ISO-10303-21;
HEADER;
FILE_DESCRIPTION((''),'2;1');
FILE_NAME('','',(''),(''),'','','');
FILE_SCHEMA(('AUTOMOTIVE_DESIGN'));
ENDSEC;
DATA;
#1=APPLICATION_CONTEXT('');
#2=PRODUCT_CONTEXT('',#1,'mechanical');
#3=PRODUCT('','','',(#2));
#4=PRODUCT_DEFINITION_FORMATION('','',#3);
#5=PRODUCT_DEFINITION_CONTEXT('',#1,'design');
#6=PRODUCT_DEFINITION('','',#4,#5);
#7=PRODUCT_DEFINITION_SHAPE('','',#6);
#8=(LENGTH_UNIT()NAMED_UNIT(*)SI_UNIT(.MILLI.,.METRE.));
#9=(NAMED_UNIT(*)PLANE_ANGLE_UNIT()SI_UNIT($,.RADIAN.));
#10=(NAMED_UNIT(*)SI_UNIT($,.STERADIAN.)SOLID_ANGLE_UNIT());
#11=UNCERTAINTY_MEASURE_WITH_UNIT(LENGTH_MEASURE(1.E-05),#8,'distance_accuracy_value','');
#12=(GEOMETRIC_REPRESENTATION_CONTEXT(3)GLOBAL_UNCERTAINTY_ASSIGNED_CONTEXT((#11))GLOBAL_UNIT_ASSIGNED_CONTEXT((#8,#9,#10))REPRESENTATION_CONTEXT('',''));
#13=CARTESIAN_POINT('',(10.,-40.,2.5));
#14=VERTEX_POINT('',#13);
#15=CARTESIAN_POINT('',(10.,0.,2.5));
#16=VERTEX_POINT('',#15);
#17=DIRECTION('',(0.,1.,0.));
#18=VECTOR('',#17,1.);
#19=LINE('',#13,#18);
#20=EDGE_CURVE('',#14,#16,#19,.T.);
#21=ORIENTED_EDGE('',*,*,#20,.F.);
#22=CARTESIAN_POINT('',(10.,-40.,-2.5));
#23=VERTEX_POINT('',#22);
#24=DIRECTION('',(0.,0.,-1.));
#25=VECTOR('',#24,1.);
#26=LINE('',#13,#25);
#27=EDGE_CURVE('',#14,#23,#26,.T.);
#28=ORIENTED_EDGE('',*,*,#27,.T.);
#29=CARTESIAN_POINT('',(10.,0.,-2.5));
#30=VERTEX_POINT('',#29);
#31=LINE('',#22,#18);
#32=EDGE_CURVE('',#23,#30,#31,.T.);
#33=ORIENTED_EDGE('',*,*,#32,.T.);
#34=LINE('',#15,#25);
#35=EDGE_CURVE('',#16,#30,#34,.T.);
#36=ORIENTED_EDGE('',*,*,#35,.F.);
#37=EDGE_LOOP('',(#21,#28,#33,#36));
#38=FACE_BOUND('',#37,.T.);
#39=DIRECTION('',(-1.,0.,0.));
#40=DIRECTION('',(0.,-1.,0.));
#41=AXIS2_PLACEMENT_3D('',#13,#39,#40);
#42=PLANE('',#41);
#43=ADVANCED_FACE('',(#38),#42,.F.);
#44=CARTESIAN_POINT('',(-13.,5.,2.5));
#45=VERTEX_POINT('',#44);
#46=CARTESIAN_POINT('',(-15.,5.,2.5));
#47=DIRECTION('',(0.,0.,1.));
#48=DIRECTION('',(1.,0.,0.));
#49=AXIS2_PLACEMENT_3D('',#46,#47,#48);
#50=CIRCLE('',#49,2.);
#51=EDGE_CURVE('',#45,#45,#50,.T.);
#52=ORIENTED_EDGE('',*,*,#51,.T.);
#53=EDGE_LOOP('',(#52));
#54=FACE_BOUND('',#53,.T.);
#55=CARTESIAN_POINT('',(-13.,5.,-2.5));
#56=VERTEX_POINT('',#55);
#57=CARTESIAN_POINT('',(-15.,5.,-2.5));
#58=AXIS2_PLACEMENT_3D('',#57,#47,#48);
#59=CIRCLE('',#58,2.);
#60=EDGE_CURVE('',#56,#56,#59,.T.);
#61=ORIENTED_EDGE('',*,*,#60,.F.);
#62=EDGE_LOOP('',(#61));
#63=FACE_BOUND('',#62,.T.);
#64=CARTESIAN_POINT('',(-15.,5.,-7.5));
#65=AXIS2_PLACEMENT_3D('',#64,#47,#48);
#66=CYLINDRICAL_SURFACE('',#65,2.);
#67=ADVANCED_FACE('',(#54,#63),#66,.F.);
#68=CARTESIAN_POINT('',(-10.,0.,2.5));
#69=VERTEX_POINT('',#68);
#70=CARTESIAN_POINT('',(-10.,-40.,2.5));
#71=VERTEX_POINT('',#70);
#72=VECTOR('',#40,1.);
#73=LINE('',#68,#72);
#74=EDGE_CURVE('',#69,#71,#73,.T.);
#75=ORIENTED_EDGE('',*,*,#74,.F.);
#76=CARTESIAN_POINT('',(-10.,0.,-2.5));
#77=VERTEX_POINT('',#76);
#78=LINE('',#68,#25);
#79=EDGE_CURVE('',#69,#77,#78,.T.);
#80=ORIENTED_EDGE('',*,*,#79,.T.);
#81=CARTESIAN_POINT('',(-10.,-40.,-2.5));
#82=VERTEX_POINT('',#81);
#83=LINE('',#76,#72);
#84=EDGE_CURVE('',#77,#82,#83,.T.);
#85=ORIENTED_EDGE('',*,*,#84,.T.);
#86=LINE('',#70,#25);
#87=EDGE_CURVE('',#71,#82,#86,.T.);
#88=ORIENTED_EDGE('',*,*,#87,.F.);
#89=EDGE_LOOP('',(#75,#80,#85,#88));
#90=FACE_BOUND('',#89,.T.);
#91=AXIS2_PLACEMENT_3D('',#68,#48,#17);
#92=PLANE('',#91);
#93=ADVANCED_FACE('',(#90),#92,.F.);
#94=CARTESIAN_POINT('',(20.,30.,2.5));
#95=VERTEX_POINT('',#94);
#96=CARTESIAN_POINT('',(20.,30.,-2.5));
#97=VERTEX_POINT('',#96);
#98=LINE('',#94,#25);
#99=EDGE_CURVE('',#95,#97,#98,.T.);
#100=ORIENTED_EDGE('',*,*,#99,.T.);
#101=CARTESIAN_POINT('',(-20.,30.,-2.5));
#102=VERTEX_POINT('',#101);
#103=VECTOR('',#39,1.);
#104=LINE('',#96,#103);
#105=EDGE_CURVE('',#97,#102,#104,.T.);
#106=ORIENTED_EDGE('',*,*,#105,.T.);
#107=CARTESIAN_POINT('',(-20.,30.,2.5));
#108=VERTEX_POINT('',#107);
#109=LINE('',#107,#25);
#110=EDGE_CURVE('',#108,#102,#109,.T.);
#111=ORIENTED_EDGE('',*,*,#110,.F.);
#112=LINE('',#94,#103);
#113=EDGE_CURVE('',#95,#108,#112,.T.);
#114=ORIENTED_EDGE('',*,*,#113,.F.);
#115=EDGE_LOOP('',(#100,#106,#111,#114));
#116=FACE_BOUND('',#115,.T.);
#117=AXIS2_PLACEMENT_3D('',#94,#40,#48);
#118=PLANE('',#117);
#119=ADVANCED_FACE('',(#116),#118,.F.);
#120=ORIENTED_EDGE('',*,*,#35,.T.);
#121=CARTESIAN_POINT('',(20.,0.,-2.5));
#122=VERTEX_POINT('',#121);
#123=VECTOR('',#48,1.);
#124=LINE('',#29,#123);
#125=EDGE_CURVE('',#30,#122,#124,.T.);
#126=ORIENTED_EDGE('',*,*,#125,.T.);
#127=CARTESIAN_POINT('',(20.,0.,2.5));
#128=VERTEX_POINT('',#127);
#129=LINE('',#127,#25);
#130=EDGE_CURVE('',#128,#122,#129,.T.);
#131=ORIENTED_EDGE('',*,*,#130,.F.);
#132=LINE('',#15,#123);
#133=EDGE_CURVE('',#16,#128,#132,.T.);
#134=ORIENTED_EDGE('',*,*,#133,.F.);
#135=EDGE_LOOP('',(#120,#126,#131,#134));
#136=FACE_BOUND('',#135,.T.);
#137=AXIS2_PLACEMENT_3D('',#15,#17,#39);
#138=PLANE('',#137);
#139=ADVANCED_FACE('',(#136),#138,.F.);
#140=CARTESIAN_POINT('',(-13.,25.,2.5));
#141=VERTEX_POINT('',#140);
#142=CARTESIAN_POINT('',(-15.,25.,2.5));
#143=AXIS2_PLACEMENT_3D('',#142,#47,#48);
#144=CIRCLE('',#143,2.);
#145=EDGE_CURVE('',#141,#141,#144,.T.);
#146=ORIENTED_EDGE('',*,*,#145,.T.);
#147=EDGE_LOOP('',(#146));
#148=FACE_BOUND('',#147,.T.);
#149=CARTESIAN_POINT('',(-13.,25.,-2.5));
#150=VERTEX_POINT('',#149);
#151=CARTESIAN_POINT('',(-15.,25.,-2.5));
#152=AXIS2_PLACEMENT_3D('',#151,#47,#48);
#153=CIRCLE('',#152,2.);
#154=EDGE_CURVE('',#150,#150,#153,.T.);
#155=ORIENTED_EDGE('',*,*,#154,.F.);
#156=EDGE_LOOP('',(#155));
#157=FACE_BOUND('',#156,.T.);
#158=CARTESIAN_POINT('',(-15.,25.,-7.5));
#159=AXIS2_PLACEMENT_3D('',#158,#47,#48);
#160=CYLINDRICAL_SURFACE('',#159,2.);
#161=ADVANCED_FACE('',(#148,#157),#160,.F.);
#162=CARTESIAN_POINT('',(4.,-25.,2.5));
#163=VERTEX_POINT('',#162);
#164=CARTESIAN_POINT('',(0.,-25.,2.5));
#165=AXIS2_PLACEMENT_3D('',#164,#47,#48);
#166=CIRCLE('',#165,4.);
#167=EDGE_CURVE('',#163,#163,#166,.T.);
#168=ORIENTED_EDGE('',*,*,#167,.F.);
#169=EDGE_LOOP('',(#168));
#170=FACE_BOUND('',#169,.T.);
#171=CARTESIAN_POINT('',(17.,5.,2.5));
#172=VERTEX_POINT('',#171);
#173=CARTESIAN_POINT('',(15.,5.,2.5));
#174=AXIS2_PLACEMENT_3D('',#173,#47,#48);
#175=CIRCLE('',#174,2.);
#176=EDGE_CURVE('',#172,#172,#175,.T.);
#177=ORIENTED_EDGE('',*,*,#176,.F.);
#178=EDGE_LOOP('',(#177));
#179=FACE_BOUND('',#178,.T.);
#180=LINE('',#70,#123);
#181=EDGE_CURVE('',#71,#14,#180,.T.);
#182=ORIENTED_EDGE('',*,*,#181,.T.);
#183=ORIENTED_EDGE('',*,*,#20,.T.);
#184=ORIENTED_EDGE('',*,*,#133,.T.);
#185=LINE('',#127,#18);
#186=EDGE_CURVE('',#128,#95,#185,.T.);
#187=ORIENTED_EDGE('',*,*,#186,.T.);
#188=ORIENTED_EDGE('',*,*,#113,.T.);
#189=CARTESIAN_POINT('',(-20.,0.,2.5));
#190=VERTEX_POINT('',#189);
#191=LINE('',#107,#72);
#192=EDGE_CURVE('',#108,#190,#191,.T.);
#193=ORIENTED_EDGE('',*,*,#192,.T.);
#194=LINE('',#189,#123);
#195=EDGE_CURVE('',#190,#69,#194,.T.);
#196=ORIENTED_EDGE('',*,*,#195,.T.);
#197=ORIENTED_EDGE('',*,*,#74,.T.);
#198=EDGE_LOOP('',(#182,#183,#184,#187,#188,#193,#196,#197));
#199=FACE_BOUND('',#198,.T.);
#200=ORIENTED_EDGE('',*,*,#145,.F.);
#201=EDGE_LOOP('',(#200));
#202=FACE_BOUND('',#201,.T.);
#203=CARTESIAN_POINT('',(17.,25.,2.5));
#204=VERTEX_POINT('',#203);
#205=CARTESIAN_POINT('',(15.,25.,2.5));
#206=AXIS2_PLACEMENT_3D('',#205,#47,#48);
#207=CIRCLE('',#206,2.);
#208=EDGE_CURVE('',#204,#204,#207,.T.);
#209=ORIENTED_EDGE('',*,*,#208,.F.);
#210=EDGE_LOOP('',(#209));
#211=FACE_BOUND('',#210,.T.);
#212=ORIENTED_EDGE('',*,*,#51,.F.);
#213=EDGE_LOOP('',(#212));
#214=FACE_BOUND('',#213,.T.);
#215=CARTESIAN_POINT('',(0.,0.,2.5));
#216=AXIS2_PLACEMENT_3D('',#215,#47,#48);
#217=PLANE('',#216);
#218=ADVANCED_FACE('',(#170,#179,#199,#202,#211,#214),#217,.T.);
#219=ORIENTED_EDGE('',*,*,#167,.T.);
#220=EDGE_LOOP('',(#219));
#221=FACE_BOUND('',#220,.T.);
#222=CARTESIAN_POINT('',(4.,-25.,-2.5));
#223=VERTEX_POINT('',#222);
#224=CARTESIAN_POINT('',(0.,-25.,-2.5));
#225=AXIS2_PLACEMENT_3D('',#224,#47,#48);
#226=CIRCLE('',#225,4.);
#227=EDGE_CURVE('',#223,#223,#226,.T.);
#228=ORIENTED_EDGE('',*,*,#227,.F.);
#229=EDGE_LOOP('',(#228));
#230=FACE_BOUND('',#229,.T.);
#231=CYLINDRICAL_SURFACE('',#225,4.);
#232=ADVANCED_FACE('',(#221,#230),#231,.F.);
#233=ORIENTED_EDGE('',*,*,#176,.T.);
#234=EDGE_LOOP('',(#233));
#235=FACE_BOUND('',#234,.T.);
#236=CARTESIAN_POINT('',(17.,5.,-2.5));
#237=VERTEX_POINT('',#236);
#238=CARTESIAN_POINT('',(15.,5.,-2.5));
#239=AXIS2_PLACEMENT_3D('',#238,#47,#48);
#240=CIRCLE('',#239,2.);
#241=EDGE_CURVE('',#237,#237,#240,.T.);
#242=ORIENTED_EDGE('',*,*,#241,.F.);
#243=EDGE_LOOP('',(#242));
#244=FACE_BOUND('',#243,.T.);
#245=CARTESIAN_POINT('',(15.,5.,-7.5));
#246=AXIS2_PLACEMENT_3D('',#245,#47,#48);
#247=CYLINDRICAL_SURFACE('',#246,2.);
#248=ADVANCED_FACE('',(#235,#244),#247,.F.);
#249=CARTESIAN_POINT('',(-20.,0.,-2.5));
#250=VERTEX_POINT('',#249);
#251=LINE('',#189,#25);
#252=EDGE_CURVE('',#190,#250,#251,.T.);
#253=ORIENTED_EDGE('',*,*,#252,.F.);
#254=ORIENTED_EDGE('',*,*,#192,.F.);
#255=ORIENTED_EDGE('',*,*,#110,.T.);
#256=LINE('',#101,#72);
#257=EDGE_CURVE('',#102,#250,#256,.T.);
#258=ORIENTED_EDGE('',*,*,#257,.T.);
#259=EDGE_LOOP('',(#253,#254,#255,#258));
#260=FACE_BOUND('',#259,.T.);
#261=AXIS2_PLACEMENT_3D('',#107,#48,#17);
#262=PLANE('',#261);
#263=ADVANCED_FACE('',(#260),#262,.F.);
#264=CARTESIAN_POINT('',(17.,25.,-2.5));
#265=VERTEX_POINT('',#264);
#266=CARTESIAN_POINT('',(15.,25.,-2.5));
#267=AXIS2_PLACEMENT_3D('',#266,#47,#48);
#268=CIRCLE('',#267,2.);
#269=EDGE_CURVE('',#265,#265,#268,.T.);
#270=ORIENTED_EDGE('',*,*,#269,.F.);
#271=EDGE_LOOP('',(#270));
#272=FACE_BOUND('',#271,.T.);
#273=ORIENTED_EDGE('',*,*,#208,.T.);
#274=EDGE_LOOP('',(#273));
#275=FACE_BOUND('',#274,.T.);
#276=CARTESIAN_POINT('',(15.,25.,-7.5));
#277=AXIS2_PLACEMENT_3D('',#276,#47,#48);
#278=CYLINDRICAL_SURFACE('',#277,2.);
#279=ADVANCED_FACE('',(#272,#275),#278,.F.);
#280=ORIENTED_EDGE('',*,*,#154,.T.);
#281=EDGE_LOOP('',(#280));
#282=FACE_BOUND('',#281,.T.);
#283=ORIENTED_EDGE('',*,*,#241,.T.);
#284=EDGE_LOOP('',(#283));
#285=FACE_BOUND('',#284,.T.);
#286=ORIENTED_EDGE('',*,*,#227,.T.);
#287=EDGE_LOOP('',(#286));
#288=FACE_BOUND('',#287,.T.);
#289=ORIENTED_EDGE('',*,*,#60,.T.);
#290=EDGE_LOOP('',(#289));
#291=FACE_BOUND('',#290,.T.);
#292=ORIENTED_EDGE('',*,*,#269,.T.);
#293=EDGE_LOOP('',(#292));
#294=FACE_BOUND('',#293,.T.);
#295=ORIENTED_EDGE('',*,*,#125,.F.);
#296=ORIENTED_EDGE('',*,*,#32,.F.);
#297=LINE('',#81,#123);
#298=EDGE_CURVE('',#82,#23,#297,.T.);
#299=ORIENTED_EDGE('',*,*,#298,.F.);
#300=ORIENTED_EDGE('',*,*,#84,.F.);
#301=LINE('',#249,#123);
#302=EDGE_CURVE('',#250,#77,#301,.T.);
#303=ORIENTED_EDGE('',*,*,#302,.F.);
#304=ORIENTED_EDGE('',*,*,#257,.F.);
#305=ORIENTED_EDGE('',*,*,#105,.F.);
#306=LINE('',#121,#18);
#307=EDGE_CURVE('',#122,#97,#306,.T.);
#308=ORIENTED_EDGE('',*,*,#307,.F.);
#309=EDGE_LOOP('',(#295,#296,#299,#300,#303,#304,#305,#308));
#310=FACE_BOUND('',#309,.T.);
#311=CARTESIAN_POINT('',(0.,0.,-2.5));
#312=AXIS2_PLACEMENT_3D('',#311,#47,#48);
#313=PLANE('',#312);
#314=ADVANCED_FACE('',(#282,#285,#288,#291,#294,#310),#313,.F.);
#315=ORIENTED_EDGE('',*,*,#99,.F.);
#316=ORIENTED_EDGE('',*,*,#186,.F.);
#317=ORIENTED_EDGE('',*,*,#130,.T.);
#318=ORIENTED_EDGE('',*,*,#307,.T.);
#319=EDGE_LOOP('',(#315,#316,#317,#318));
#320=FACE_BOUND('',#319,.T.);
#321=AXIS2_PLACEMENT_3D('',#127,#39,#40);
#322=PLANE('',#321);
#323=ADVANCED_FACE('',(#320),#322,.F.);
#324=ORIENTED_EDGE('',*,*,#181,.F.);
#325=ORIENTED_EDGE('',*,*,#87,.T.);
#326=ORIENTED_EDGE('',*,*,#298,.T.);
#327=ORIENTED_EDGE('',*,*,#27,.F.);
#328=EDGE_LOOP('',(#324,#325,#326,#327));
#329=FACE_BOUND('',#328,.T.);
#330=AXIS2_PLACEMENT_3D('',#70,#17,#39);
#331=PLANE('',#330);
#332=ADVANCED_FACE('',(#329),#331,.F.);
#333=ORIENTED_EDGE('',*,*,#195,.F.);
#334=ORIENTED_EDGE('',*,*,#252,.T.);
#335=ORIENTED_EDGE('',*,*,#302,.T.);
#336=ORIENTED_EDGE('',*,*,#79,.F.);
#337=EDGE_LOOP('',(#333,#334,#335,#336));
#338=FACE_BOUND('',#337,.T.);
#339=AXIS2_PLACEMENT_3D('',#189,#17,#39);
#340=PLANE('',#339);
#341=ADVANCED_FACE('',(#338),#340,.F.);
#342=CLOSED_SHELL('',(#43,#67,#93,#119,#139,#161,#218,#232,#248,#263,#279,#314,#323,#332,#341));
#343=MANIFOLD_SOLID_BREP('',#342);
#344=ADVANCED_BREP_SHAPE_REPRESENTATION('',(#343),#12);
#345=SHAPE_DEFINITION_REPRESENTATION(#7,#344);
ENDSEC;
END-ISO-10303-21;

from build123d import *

# Parameters (mm, degrees)
BOSS_EXTRUDE1_DEPTH = 2.5
SKETCH2_R           = 2.5
SKETCH2_R_2         = 4
CUT_EXTRUDE1_DEPTH  = 46
SKETCH3_R           = 2
CUT_EXTRUDE2_DEPTH  = 10


with BuildPart() as part:
    # Sketch1 → Boss-Extrude1 (new, symmetric)
    with BuildSketch(Plane.XY):
        Polygon((-20, 30), (-20, 0), (-10, 0), (-10, -40), (10, -40), (10, 0), (20, 0), (20, 30), align=None)
    extrude(amount=BOSS_EXTRUDE1_DEPTH, both=True)

    # Sketch2 → Cut-Extrude1 (cut, through all)
    with BuildSketch(Plane.XY.offset(2.5)):
        with Locations((-25, 20)):
            Circle(SKETCH2_R)
        with Locations((25, 20)):
            Circle(SKETCH2_R)
        with Locations((0, -25)):
            Circle(SKETCH2_R_2)
    extrude(amount=-CUT_EXTRUDE1_DEPTH, mode=Mode.SUBTRACT)

    # Sketch3 → Cut-Extrude2 (cut)
    with BuildSketch(Plane.XY.offset(2.5)):
        with Locations((-15, 25)):
            Circle(SKETCH3_R)
        with Locations((15, 25)):
            Circle(SKETCH3_R)
        with Locations((15, 5)):
            Circle(SKETCH3_R)
        with Locations((-15, 5)):
            Circle(SKETCH3_R)
    extrude(amount=-CUT_EXTRUDE2_DEPTH, mode=Mode.SUBTRACT)


solid = part.part
